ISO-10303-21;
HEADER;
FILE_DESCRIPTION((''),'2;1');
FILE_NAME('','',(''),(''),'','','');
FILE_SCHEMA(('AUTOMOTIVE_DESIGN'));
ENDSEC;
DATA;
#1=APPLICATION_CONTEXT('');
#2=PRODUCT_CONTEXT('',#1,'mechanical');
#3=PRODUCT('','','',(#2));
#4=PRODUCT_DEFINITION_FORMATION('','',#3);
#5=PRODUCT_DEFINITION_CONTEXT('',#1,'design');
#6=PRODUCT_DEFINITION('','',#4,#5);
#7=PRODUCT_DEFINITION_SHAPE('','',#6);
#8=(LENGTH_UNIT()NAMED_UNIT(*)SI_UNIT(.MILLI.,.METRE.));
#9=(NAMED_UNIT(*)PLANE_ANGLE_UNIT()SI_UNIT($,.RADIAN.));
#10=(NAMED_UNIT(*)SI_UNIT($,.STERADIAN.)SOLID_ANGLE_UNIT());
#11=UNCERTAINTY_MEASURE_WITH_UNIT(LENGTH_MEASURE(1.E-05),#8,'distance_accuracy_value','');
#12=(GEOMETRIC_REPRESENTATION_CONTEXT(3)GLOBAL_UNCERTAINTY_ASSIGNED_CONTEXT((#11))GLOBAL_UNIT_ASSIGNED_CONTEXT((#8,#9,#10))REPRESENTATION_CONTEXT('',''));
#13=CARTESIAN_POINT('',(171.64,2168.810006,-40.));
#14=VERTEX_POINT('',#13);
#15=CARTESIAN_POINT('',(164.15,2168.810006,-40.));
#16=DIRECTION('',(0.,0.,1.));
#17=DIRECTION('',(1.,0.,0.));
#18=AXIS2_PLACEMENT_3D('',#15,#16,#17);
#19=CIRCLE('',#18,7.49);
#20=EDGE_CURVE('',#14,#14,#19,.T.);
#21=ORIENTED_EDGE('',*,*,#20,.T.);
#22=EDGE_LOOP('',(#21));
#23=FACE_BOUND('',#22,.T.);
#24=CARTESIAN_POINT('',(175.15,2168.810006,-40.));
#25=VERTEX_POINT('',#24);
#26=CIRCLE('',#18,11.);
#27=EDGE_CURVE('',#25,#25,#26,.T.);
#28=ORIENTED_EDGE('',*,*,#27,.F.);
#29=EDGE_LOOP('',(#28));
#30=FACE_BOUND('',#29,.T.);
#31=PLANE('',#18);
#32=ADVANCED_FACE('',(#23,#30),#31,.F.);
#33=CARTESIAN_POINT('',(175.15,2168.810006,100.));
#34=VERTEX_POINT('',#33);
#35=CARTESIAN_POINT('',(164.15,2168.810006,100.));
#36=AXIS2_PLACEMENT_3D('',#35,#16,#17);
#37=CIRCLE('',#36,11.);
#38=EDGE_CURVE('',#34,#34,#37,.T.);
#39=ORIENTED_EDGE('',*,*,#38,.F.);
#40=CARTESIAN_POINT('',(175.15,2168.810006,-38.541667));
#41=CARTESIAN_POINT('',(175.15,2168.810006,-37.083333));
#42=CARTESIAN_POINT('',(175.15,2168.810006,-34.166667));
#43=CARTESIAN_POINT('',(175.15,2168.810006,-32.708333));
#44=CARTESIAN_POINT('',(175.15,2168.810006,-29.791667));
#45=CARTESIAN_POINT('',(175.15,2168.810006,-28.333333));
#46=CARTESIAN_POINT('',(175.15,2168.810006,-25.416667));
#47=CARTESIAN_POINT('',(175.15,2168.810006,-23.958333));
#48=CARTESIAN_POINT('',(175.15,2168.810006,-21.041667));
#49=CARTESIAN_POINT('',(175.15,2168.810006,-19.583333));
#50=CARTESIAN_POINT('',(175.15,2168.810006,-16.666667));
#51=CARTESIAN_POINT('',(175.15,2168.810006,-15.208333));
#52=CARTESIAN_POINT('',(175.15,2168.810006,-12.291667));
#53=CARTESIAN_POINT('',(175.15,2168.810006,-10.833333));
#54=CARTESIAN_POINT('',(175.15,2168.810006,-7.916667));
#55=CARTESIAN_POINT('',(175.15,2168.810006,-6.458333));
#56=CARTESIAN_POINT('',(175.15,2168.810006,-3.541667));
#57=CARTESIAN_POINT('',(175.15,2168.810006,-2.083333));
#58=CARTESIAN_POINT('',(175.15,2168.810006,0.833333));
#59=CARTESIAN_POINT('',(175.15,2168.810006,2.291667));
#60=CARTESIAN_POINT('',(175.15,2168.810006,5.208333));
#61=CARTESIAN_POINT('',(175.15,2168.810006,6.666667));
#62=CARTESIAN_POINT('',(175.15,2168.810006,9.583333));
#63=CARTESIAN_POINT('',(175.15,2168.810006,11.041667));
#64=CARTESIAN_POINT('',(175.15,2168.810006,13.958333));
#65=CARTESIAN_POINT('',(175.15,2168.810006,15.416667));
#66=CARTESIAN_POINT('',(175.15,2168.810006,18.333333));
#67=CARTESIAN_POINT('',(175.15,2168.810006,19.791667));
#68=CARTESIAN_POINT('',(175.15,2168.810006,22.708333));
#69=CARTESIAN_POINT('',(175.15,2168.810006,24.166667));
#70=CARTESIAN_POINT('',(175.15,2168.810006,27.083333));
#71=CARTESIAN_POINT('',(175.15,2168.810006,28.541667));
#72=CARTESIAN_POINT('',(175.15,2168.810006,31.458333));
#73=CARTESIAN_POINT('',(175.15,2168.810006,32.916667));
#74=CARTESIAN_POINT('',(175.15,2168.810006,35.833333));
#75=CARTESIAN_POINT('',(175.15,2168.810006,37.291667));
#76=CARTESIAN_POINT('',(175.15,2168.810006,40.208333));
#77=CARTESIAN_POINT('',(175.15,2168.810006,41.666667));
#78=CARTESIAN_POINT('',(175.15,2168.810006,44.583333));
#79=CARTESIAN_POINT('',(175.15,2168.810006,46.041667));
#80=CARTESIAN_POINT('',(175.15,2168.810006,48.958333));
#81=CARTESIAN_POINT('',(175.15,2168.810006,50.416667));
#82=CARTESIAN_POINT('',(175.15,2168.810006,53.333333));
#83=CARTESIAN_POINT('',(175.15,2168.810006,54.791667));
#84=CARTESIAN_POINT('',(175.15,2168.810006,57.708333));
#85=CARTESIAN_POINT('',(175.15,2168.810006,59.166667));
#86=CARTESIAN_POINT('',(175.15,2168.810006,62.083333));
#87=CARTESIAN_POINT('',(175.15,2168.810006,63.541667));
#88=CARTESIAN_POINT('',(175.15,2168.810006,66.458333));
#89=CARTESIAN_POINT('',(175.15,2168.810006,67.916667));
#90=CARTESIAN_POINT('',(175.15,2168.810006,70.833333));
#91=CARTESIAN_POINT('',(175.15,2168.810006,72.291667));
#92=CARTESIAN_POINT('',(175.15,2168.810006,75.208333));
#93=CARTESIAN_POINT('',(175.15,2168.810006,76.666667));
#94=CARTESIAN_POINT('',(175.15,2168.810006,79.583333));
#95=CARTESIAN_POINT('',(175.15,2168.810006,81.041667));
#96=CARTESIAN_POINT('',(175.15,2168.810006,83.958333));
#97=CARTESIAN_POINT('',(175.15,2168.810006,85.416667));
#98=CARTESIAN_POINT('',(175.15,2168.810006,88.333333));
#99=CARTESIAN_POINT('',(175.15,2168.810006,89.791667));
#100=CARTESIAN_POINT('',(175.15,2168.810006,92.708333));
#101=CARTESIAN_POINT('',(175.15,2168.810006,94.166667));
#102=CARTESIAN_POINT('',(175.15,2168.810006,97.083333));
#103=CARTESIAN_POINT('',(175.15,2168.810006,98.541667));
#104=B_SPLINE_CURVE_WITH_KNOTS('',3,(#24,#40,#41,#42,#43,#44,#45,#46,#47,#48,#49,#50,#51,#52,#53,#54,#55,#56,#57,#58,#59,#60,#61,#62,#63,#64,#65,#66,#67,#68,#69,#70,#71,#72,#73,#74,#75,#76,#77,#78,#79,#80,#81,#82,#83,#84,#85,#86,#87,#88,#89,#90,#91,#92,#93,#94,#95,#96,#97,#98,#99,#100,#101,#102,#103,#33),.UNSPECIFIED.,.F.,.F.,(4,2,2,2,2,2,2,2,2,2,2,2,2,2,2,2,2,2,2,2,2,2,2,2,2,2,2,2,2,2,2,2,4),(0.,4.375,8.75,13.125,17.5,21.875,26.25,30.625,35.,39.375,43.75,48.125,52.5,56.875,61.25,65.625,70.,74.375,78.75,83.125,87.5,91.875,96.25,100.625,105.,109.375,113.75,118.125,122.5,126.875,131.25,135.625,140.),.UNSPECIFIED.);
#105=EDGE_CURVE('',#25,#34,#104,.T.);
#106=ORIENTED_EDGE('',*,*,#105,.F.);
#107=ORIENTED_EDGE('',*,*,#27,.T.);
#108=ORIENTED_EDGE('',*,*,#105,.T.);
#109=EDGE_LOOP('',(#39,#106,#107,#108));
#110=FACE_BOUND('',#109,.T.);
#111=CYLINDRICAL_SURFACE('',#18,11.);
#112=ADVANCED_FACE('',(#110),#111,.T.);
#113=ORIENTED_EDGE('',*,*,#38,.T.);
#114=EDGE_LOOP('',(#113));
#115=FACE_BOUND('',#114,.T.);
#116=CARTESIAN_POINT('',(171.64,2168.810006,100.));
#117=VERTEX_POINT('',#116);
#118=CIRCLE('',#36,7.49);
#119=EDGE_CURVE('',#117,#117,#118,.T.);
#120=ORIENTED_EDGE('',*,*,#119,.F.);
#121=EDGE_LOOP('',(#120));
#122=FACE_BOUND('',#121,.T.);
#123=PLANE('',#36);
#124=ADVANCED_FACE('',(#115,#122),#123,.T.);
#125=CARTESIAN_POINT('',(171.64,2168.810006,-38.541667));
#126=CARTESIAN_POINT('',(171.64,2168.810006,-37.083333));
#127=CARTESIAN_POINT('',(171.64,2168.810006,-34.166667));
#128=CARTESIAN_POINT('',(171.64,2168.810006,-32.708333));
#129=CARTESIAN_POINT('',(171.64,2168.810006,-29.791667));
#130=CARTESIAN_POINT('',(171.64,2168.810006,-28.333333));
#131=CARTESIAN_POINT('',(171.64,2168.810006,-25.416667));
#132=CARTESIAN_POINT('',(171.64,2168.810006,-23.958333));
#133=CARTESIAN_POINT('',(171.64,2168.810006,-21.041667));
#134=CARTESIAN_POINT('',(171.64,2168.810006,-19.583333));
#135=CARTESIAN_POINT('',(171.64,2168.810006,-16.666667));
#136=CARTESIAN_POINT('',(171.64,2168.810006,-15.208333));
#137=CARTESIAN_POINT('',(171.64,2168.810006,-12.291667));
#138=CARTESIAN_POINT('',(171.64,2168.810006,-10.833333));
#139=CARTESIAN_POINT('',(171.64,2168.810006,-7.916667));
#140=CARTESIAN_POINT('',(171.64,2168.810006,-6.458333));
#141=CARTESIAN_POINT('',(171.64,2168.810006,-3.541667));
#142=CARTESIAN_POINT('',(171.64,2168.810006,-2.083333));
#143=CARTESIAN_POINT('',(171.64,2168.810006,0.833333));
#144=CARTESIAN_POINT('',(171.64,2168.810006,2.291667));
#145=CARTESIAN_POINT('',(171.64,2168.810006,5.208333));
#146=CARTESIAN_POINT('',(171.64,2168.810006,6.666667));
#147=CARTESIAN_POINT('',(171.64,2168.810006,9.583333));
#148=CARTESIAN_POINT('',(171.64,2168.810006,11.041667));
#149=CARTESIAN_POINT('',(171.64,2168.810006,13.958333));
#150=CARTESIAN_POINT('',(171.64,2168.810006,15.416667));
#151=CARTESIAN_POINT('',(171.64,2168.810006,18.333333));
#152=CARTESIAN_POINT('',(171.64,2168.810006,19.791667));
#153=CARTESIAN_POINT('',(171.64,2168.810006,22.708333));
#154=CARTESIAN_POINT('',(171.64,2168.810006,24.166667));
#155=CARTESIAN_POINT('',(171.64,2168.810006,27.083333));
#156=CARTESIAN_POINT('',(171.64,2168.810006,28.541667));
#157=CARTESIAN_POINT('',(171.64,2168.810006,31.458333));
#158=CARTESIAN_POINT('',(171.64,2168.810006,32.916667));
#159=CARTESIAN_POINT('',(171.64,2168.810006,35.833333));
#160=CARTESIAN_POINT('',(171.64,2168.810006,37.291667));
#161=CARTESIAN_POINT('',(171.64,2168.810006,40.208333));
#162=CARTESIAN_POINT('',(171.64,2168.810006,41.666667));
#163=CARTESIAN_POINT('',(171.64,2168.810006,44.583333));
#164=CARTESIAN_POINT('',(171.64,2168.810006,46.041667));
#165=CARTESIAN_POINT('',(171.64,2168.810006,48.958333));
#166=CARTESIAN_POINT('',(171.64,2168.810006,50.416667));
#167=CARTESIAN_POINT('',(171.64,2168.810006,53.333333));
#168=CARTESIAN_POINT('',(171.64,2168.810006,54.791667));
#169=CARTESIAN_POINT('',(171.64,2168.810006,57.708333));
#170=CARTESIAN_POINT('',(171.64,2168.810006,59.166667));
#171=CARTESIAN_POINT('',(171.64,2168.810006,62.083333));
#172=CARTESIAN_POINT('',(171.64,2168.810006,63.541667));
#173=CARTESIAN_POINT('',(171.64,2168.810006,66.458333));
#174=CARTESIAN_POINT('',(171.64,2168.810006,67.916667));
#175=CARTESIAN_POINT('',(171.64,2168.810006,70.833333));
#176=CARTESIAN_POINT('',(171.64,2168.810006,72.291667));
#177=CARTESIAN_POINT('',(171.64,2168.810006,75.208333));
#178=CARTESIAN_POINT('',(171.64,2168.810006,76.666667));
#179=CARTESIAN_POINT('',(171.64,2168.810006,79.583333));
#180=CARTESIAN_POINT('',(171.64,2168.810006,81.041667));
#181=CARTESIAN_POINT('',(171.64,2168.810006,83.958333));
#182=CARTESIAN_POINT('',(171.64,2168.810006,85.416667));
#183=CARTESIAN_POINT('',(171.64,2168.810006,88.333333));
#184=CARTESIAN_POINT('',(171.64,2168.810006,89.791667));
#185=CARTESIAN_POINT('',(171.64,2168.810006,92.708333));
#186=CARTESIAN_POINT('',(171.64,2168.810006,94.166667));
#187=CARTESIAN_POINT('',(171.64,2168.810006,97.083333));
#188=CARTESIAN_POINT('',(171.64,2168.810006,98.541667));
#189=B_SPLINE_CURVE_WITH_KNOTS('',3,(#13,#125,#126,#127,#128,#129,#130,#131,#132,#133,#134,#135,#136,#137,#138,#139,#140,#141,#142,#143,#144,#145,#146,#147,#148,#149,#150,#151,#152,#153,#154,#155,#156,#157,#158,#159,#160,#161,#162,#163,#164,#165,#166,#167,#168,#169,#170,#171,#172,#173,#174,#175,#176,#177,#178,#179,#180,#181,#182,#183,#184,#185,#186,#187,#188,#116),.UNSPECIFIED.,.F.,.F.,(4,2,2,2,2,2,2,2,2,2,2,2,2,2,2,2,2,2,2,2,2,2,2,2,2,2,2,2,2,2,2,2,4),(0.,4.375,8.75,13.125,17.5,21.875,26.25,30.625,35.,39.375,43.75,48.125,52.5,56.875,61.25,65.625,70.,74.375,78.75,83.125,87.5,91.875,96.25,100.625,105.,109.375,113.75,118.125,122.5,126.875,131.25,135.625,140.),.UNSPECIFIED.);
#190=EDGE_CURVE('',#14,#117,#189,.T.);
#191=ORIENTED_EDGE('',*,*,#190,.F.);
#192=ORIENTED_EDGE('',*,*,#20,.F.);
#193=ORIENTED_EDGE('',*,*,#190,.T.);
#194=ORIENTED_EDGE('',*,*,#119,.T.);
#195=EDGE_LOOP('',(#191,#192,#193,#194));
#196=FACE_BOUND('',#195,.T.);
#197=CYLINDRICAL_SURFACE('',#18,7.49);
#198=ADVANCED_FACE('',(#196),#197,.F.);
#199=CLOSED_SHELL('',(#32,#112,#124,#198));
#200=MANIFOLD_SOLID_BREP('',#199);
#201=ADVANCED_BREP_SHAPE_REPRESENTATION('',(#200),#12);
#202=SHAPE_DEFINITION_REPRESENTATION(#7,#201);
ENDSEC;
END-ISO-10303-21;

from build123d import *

# Parameters (mm, degrees)
BOSS_EXTRUDE1_DEPTH      = 100
BOSS_EXTRUDE1_DEPTH_BACK = 40
SKETCH1_R                = 11
SKETCH1_R_2              = 7.49


with BuildPart() as part:
    # Sketch1 → Boss-Extrude1 (new, two sides: drawn at the far end of the back side and taken through both)
    with BuildSketch(Plane.XY.offset(-BOSS_EXTRUDE1_DEPTH_BACK)):
        with Locations((164.15, 2168.810006202)):
            Circle(SKETCH1_R)
        with Locations((164.15, 2168.810006202)):
            Circle(SKETCH1_R_2, mode=Mode.SUBTRACT)
    extrude(amount=BOSS_EXTRUDE1_DEPTH + BOSS_EXTRUDE1_DEPTH_BACK)


solid = part.part
